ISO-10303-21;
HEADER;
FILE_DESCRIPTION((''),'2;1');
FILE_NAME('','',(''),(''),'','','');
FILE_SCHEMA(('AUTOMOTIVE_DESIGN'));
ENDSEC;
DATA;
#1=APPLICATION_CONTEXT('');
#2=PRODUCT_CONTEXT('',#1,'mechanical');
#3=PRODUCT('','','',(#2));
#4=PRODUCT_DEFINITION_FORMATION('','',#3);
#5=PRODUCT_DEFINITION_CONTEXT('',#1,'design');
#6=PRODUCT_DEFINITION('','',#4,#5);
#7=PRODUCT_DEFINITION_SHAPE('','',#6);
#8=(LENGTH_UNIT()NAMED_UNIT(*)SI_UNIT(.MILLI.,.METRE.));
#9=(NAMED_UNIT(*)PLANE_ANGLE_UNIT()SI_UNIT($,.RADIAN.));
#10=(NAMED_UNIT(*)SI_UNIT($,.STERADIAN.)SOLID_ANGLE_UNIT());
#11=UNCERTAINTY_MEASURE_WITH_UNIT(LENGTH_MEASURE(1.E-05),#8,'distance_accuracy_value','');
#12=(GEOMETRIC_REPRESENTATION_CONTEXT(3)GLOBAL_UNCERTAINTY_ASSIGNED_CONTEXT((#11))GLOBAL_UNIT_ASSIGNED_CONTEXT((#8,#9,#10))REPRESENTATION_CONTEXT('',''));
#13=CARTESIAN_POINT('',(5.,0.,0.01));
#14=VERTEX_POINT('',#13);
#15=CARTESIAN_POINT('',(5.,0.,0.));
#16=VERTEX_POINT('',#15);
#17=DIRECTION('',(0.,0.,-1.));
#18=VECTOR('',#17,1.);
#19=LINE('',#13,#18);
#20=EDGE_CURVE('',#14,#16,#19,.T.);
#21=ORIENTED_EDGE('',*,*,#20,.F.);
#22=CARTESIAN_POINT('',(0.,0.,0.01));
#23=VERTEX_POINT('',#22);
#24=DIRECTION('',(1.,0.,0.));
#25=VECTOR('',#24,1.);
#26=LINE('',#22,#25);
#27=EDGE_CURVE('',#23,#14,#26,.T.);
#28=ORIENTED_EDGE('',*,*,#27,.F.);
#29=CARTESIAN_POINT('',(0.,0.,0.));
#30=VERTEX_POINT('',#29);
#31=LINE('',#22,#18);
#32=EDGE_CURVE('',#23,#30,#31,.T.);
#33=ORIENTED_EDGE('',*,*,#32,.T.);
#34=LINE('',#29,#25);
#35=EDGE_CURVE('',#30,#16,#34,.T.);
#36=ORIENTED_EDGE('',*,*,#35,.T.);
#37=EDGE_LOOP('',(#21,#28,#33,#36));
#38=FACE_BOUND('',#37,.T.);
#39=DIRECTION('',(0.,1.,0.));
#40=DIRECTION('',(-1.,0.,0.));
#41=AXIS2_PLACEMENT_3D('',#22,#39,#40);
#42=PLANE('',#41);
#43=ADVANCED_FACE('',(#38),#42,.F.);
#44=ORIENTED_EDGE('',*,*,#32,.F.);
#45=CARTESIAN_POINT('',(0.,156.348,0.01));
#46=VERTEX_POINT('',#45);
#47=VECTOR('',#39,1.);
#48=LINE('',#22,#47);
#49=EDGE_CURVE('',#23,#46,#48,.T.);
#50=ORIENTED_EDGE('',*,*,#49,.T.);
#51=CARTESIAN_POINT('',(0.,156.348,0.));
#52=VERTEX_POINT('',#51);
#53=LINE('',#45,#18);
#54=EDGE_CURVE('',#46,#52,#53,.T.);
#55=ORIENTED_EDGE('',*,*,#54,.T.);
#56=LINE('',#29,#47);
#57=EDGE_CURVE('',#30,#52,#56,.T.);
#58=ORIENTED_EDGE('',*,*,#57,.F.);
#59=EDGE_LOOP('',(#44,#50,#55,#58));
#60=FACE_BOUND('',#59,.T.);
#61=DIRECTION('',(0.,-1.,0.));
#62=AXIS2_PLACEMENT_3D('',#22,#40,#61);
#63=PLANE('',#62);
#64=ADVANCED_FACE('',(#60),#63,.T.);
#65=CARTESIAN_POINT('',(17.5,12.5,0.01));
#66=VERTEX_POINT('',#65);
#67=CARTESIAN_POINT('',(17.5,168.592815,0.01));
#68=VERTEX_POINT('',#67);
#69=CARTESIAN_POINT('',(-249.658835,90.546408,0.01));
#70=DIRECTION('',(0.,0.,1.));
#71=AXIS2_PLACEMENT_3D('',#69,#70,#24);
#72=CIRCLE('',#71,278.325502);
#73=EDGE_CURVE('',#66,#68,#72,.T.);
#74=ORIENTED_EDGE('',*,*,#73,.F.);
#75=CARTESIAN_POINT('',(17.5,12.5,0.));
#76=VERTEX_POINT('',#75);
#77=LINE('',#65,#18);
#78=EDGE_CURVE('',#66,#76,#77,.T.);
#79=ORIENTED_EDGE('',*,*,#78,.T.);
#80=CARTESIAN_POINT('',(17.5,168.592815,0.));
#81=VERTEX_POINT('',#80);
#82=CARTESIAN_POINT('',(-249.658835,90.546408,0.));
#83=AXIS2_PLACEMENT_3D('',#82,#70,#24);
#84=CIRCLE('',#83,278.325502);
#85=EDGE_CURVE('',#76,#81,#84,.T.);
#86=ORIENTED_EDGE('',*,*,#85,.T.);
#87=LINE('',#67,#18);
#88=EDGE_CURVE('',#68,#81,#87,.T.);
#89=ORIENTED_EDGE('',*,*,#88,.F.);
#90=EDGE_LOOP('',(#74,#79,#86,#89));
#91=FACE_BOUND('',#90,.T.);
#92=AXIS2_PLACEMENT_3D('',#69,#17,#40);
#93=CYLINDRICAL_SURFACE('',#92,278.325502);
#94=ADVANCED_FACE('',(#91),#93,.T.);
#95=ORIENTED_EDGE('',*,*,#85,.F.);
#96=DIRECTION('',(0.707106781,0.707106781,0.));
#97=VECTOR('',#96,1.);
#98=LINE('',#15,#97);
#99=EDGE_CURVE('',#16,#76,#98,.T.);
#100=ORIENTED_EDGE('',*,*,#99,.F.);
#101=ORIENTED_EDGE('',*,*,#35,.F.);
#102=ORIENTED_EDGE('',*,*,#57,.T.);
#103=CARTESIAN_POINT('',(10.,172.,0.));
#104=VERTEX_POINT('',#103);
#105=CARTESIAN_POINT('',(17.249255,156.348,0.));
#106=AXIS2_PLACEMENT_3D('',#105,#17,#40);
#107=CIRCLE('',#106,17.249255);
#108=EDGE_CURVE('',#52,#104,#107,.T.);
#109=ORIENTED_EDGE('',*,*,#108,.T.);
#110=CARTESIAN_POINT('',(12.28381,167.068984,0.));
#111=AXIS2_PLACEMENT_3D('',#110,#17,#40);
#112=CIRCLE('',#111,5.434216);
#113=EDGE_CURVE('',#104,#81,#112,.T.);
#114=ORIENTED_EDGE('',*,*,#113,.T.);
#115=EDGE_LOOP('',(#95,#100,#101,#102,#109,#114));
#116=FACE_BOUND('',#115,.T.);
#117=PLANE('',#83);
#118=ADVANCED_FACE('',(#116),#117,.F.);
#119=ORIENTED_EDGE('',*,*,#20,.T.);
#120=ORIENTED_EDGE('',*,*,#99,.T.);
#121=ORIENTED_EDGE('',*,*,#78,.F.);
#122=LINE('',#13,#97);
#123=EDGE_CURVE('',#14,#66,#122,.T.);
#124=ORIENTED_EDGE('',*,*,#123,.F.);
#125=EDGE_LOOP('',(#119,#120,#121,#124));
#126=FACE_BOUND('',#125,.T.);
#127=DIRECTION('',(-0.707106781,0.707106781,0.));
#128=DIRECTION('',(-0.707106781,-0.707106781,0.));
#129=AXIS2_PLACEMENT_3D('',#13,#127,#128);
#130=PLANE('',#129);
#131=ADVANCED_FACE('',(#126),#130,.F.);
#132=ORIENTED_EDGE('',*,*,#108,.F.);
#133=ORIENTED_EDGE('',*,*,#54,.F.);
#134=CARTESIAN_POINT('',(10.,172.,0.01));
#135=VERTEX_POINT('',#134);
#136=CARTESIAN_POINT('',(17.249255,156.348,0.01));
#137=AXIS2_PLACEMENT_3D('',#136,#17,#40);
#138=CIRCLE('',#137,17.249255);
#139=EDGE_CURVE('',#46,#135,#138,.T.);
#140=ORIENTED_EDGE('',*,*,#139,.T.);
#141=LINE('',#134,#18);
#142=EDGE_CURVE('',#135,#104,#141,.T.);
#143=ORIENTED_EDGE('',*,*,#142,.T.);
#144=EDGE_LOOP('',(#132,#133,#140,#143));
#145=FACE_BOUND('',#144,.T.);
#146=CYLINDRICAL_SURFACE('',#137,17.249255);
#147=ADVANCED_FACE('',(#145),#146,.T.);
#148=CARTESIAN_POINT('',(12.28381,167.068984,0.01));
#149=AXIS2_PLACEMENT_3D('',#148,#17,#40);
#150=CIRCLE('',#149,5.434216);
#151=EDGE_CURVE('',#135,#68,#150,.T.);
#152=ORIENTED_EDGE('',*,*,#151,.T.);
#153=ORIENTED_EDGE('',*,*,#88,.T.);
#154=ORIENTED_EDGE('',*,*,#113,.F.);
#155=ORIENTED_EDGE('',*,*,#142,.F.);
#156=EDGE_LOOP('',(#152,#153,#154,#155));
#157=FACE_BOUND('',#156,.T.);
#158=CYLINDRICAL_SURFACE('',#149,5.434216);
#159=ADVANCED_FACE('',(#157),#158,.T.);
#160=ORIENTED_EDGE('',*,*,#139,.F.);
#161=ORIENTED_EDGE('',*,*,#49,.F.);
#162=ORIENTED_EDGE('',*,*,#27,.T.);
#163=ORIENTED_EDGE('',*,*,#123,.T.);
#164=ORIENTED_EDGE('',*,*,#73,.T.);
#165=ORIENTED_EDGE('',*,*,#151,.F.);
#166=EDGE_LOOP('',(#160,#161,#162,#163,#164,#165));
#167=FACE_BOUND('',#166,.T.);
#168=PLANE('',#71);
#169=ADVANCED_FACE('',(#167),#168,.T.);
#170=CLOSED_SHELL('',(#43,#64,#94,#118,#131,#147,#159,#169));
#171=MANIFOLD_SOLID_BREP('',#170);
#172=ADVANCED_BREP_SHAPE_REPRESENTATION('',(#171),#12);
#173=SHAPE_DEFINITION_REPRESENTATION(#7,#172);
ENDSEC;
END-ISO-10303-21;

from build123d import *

# Parameters (mm, degrees)
BOSS_EXTRUDE1_DEPTH = 0.01


with BuildPart() as part:
    # Sketch1 → Boss-Extrude1 (new body)
    with BuildSketch(Plane(origin=(0, 0, 0), x_dir=(0, 1, 0), z_dir=(0, 0, 1))):
        with BuildLine():
            Line((0, 0), (156.348, 0))
            ThreePointArc((156.348, 0), (165.634887315, -2.713419175), (172, -10))
            ThreePointArc((172, -10), (172.016585971, -14.531461982), (168.592815415, -17.5))
            ThreePointArc((168.592815415, -17.5), (90.546407707, -28.666666667), (12.5, -17.5))
            Line((12.5, -17.5), (0, -5))
            Line((0, -5), (0, 0))
        make_face()
    extrude(amount=BOSS_EXTRUDE1_DEPTH)


solid = part.part
